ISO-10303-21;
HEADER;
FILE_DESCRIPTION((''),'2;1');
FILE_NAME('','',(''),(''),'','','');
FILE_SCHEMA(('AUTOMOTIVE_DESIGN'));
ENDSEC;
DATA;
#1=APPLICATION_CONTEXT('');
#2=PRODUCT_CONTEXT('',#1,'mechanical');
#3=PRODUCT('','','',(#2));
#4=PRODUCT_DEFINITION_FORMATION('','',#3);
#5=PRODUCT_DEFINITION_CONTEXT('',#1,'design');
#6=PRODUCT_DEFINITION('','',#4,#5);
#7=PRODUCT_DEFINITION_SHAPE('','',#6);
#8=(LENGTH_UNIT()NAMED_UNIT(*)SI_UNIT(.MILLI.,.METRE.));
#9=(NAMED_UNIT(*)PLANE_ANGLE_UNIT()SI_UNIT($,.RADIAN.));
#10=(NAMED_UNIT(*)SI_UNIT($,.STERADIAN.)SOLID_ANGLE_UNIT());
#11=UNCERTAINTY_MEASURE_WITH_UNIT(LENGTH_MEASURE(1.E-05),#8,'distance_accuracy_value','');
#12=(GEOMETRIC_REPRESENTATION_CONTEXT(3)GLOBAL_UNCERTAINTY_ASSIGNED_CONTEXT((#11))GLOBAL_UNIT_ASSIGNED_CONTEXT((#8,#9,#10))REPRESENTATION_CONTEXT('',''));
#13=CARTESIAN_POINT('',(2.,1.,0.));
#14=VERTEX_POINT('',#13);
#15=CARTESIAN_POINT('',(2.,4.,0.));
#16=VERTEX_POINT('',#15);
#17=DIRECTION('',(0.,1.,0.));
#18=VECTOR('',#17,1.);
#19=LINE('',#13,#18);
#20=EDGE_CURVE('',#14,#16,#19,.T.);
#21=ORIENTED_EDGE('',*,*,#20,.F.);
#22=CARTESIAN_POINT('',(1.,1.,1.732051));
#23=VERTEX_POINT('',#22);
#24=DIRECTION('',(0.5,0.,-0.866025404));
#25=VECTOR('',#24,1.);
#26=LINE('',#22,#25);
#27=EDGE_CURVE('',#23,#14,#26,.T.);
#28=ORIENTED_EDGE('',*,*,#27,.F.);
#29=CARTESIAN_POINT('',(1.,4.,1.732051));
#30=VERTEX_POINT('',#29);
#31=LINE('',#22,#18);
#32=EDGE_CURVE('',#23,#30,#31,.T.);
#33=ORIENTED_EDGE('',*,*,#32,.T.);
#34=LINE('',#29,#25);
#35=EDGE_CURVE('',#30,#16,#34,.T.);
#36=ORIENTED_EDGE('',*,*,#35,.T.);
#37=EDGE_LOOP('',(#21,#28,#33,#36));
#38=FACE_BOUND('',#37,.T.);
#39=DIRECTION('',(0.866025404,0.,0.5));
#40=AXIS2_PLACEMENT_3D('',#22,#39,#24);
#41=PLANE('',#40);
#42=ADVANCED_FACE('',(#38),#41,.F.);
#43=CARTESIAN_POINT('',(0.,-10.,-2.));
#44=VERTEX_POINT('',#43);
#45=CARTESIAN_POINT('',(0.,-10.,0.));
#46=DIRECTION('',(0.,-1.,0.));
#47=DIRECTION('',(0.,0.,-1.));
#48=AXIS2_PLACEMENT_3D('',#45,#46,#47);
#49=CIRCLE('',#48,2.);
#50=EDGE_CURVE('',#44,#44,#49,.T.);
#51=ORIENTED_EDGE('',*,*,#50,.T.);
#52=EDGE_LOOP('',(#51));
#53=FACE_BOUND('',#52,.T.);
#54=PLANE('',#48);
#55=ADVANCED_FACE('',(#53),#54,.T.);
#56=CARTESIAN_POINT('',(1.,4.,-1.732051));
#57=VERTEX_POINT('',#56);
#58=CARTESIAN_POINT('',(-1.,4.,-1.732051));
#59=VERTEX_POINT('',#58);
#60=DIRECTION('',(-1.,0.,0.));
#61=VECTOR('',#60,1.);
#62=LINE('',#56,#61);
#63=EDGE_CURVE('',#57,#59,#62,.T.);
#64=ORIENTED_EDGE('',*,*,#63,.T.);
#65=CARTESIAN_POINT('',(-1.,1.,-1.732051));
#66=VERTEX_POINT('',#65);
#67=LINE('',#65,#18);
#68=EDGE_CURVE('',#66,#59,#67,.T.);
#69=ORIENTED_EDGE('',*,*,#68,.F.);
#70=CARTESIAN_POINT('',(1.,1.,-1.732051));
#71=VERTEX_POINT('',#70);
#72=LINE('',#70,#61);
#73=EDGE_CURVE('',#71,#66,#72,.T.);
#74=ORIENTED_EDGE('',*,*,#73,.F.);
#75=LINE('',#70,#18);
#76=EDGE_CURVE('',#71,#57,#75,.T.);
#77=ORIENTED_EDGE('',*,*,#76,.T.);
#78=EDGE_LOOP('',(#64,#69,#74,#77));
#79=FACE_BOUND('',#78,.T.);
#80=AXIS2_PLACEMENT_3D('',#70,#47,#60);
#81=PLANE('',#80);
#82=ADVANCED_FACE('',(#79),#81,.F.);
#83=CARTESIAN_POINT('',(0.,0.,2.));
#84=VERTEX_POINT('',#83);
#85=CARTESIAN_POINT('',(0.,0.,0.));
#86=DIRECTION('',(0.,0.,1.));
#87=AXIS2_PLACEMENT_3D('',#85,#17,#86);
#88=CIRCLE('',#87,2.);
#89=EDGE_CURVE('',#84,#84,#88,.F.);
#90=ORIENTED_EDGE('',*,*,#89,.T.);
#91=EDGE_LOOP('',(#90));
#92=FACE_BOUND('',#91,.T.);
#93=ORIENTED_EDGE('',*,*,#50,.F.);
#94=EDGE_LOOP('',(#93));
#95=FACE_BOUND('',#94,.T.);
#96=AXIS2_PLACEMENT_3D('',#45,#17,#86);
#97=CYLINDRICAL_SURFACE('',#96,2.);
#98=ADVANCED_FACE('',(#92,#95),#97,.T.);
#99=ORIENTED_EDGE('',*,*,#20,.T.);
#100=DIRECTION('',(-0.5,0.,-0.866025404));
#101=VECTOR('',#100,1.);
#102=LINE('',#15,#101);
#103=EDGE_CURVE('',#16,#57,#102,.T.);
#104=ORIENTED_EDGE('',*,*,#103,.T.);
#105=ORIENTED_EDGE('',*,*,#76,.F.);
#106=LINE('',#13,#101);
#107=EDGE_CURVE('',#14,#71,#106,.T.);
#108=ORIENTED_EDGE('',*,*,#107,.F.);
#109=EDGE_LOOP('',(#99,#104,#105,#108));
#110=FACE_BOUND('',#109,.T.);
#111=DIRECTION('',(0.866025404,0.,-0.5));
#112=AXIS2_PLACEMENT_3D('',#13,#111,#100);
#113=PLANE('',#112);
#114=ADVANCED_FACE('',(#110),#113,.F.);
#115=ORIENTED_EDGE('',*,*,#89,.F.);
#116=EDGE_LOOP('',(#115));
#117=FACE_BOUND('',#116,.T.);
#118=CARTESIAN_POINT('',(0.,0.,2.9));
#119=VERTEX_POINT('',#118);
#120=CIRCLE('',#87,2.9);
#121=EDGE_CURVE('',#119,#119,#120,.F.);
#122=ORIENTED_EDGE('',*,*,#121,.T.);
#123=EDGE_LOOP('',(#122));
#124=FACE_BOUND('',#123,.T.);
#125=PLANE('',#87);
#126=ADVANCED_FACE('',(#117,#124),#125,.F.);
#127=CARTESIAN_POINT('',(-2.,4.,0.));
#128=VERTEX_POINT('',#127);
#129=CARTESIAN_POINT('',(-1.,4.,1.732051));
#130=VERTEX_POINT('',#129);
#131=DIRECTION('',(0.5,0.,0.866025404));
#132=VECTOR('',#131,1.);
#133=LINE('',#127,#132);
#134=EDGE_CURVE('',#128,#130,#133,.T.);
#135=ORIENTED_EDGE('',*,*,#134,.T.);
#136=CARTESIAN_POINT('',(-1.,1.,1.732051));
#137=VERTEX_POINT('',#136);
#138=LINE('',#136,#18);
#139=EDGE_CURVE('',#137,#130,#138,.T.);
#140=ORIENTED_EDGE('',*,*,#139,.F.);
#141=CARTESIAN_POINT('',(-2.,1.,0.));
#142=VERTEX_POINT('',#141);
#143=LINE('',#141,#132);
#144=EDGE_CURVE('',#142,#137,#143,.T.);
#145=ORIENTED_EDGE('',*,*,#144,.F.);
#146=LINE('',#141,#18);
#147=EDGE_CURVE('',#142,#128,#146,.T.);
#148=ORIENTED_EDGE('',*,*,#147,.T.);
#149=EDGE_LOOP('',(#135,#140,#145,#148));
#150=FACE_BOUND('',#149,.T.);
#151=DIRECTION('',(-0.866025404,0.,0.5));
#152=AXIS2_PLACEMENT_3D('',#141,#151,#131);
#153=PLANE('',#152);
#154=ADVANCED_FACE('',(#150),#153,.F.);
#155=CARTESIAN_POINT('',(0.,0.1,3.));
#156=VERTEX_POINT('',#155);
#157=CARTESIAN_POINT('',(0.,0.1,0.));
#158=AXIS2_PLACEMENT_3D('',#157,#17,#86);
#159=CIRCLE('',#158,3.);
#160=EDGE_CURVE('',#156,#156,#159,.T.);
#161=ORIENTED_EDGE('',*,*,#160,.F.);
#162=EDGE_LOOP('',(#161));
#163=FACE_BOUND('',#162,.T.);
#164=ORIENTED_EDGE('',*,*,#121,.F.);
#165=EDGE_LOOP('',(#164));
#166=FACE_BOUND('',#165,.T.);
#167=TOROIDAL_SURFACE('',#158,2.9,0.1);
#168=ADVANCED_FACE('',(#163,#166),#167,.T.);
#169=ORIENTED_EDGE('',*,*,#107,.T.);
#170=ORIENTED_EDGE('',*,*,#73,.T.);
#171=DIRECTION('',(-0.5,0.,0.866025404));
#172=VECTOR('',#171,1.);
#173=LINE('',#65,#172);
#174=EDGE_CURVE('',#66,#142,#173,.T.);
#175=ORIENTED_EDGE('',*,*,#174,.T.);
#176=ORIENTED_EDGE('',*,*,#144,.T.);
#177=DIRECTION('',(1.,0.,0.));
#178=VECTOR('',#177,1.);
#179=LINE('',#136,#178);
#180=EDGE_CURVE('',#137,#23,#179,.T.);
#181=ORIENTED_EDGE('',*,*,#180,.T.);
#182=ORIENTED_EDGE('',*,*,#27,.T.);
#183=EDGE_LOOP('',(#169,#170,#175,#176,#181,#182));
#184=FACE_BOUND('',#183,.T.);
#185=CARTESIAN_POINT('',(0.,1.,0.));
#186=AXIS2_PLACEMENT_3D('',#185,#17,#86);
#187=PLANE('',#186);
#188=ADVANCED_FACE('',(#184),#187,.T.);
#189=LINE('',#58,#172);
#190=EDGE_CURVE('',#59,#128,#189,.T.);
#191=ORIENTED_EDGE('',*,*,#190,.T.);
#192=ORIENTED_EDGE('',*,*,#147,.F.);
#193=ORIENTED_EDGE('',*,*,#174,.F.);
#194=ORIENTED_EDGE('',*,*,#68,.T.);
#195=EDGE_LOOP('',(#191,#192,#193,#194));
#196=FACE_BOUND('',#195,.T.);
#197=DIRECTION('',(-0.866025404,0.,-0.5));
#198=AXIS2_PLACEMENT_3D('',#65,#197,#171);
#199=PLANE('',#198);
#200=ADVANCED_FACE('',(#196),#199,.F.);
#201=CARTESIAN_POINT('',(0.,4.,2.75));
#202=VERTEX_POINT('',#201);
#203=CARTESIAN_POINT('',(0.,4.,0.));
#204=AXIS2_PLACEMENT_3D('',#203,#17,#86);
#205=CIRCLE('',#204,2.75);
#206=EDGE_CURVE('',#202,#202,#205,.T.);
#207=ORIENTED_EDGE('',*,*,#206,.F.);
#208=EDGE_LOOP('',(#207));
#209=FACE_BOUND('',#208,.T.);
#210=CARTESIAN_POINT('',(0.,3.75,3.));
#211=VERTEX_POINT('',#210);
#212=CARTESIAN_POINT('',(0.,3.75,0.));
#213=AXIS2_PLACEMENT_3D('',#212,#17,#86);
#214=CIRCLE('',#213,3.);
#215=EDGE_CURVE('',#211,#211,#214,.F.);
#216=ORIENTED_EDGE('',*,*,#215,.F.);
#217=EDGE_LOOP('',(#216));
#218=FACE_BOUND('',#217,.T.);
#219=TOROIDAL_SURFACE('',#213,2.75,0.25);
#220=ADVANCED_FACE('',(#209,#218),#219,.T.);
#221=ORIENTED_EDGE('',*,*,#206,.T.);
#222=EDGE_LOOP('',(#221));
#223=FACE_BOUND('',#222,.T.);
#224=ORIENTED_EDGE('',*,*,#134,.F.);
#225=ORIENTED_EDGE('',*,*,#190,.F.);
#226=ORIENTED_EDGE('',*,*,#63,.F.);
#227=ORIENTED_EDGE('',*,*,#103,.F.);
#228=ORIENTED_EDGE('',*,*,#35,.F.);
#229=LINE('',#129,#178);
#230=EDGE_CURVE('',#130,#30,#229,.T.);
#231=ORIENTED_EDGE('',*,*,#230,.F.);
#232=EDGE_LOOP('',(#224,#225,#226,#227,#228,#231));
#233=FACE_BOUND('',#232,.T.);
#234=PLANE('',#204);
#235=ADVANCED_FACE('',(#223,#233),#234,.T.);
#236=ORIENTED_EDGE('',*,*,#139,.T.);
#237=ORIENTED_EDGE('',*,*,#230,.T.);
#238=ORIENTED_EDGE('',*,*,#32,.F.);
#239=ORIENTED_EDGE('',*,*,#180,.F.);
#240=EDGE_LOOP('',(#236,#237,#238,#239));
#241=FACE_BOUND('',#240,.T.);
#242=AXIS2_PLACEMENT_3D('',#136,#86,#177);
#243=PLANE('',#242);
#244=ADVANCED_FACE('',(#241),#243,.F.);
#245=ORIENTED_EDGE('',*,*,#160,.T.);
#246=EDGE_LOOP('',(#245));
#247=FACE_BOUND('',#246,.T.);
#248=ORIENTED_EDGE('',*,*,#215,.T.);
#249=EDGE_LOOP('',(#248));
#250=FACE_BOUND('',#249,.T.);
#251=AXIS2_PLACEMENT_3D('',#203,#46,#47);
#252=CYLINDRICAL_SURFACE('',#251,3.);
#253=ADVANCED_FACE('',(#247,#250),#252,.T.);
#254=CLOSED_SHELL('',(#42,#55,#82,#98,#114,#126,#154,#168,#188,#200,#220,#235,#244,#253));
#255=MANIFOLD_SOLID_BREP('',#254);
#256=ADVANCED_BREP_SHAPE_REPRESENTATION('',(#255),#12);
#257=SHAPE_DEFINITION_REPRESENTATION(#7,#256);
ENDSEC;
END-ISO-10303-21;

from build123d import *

# Parameters (mm, degrees)
SKETCH1_R           = 3
BOSS_EXTRUDE1_DEPTH = 4
FILLET1_R           = 0.25
CUT_EXTRUDE1_DEPTH  = 3
FILLET2_R           = 0.1
SKETCH3_R           = 2
BOSS_EXTRUDE2_DEPTH = 10


with BuildPart() as part:
    # Sketch1 → Boss-Extrude1 (new body)
    with BuildSketch(Plane(origin=(0, 0, 0), x_dir=(1, 0, 0), z_dir=(0, 1, 0))):
        with Locations(Location((0, 0, 0), (0, 0, 270))):
            Circle(SKETCH1_R)
    extrude(amount=BOSS_EXTRUDE1_DEPTH)

    # Fillet1
    fillet1_edges = [part.edges().sort_by_distance(p)[0] for p in [
        (0, 4, -3),
    ]]
    fillet(fillet1_edges, radius=FILLET1_R)

    # Sketch2 → Cut-Extrude1 (cut)
    with BuildSketch(Plane(origin=(0, 4, 0), x_dir=(1, 0, 0), z_dir=(0, 1, 0))):
        Polygon((2, 0), (1, 1.732050808), (-1, 1.732050808), (-2, 0), (-1, -1.732050808), (1, -1.732050808), align=None)
    extrude(amount=-CUT_EXTRUDE1_DEPTH, mode=Mode.SUBTRACT)

    # Fillet2
    fillet2_edges = [part.edges().sort_by_distance(p)[0] for p in [
        (0, 0, -3),
    ]]
    fillet(fillet2_edges, radius=FILLET2_R)

    # Sketch3 → Boss-Extrude2 (add)
    with BuildSketch(Plane.XZ):
        with Locations(Location((0, 0, 0), (0, 0, 90))):
            Circle(SKETCH3_R)
    extrude(amount=BOSS_EXTRUDE2_DEPTH)


solid = part.part
